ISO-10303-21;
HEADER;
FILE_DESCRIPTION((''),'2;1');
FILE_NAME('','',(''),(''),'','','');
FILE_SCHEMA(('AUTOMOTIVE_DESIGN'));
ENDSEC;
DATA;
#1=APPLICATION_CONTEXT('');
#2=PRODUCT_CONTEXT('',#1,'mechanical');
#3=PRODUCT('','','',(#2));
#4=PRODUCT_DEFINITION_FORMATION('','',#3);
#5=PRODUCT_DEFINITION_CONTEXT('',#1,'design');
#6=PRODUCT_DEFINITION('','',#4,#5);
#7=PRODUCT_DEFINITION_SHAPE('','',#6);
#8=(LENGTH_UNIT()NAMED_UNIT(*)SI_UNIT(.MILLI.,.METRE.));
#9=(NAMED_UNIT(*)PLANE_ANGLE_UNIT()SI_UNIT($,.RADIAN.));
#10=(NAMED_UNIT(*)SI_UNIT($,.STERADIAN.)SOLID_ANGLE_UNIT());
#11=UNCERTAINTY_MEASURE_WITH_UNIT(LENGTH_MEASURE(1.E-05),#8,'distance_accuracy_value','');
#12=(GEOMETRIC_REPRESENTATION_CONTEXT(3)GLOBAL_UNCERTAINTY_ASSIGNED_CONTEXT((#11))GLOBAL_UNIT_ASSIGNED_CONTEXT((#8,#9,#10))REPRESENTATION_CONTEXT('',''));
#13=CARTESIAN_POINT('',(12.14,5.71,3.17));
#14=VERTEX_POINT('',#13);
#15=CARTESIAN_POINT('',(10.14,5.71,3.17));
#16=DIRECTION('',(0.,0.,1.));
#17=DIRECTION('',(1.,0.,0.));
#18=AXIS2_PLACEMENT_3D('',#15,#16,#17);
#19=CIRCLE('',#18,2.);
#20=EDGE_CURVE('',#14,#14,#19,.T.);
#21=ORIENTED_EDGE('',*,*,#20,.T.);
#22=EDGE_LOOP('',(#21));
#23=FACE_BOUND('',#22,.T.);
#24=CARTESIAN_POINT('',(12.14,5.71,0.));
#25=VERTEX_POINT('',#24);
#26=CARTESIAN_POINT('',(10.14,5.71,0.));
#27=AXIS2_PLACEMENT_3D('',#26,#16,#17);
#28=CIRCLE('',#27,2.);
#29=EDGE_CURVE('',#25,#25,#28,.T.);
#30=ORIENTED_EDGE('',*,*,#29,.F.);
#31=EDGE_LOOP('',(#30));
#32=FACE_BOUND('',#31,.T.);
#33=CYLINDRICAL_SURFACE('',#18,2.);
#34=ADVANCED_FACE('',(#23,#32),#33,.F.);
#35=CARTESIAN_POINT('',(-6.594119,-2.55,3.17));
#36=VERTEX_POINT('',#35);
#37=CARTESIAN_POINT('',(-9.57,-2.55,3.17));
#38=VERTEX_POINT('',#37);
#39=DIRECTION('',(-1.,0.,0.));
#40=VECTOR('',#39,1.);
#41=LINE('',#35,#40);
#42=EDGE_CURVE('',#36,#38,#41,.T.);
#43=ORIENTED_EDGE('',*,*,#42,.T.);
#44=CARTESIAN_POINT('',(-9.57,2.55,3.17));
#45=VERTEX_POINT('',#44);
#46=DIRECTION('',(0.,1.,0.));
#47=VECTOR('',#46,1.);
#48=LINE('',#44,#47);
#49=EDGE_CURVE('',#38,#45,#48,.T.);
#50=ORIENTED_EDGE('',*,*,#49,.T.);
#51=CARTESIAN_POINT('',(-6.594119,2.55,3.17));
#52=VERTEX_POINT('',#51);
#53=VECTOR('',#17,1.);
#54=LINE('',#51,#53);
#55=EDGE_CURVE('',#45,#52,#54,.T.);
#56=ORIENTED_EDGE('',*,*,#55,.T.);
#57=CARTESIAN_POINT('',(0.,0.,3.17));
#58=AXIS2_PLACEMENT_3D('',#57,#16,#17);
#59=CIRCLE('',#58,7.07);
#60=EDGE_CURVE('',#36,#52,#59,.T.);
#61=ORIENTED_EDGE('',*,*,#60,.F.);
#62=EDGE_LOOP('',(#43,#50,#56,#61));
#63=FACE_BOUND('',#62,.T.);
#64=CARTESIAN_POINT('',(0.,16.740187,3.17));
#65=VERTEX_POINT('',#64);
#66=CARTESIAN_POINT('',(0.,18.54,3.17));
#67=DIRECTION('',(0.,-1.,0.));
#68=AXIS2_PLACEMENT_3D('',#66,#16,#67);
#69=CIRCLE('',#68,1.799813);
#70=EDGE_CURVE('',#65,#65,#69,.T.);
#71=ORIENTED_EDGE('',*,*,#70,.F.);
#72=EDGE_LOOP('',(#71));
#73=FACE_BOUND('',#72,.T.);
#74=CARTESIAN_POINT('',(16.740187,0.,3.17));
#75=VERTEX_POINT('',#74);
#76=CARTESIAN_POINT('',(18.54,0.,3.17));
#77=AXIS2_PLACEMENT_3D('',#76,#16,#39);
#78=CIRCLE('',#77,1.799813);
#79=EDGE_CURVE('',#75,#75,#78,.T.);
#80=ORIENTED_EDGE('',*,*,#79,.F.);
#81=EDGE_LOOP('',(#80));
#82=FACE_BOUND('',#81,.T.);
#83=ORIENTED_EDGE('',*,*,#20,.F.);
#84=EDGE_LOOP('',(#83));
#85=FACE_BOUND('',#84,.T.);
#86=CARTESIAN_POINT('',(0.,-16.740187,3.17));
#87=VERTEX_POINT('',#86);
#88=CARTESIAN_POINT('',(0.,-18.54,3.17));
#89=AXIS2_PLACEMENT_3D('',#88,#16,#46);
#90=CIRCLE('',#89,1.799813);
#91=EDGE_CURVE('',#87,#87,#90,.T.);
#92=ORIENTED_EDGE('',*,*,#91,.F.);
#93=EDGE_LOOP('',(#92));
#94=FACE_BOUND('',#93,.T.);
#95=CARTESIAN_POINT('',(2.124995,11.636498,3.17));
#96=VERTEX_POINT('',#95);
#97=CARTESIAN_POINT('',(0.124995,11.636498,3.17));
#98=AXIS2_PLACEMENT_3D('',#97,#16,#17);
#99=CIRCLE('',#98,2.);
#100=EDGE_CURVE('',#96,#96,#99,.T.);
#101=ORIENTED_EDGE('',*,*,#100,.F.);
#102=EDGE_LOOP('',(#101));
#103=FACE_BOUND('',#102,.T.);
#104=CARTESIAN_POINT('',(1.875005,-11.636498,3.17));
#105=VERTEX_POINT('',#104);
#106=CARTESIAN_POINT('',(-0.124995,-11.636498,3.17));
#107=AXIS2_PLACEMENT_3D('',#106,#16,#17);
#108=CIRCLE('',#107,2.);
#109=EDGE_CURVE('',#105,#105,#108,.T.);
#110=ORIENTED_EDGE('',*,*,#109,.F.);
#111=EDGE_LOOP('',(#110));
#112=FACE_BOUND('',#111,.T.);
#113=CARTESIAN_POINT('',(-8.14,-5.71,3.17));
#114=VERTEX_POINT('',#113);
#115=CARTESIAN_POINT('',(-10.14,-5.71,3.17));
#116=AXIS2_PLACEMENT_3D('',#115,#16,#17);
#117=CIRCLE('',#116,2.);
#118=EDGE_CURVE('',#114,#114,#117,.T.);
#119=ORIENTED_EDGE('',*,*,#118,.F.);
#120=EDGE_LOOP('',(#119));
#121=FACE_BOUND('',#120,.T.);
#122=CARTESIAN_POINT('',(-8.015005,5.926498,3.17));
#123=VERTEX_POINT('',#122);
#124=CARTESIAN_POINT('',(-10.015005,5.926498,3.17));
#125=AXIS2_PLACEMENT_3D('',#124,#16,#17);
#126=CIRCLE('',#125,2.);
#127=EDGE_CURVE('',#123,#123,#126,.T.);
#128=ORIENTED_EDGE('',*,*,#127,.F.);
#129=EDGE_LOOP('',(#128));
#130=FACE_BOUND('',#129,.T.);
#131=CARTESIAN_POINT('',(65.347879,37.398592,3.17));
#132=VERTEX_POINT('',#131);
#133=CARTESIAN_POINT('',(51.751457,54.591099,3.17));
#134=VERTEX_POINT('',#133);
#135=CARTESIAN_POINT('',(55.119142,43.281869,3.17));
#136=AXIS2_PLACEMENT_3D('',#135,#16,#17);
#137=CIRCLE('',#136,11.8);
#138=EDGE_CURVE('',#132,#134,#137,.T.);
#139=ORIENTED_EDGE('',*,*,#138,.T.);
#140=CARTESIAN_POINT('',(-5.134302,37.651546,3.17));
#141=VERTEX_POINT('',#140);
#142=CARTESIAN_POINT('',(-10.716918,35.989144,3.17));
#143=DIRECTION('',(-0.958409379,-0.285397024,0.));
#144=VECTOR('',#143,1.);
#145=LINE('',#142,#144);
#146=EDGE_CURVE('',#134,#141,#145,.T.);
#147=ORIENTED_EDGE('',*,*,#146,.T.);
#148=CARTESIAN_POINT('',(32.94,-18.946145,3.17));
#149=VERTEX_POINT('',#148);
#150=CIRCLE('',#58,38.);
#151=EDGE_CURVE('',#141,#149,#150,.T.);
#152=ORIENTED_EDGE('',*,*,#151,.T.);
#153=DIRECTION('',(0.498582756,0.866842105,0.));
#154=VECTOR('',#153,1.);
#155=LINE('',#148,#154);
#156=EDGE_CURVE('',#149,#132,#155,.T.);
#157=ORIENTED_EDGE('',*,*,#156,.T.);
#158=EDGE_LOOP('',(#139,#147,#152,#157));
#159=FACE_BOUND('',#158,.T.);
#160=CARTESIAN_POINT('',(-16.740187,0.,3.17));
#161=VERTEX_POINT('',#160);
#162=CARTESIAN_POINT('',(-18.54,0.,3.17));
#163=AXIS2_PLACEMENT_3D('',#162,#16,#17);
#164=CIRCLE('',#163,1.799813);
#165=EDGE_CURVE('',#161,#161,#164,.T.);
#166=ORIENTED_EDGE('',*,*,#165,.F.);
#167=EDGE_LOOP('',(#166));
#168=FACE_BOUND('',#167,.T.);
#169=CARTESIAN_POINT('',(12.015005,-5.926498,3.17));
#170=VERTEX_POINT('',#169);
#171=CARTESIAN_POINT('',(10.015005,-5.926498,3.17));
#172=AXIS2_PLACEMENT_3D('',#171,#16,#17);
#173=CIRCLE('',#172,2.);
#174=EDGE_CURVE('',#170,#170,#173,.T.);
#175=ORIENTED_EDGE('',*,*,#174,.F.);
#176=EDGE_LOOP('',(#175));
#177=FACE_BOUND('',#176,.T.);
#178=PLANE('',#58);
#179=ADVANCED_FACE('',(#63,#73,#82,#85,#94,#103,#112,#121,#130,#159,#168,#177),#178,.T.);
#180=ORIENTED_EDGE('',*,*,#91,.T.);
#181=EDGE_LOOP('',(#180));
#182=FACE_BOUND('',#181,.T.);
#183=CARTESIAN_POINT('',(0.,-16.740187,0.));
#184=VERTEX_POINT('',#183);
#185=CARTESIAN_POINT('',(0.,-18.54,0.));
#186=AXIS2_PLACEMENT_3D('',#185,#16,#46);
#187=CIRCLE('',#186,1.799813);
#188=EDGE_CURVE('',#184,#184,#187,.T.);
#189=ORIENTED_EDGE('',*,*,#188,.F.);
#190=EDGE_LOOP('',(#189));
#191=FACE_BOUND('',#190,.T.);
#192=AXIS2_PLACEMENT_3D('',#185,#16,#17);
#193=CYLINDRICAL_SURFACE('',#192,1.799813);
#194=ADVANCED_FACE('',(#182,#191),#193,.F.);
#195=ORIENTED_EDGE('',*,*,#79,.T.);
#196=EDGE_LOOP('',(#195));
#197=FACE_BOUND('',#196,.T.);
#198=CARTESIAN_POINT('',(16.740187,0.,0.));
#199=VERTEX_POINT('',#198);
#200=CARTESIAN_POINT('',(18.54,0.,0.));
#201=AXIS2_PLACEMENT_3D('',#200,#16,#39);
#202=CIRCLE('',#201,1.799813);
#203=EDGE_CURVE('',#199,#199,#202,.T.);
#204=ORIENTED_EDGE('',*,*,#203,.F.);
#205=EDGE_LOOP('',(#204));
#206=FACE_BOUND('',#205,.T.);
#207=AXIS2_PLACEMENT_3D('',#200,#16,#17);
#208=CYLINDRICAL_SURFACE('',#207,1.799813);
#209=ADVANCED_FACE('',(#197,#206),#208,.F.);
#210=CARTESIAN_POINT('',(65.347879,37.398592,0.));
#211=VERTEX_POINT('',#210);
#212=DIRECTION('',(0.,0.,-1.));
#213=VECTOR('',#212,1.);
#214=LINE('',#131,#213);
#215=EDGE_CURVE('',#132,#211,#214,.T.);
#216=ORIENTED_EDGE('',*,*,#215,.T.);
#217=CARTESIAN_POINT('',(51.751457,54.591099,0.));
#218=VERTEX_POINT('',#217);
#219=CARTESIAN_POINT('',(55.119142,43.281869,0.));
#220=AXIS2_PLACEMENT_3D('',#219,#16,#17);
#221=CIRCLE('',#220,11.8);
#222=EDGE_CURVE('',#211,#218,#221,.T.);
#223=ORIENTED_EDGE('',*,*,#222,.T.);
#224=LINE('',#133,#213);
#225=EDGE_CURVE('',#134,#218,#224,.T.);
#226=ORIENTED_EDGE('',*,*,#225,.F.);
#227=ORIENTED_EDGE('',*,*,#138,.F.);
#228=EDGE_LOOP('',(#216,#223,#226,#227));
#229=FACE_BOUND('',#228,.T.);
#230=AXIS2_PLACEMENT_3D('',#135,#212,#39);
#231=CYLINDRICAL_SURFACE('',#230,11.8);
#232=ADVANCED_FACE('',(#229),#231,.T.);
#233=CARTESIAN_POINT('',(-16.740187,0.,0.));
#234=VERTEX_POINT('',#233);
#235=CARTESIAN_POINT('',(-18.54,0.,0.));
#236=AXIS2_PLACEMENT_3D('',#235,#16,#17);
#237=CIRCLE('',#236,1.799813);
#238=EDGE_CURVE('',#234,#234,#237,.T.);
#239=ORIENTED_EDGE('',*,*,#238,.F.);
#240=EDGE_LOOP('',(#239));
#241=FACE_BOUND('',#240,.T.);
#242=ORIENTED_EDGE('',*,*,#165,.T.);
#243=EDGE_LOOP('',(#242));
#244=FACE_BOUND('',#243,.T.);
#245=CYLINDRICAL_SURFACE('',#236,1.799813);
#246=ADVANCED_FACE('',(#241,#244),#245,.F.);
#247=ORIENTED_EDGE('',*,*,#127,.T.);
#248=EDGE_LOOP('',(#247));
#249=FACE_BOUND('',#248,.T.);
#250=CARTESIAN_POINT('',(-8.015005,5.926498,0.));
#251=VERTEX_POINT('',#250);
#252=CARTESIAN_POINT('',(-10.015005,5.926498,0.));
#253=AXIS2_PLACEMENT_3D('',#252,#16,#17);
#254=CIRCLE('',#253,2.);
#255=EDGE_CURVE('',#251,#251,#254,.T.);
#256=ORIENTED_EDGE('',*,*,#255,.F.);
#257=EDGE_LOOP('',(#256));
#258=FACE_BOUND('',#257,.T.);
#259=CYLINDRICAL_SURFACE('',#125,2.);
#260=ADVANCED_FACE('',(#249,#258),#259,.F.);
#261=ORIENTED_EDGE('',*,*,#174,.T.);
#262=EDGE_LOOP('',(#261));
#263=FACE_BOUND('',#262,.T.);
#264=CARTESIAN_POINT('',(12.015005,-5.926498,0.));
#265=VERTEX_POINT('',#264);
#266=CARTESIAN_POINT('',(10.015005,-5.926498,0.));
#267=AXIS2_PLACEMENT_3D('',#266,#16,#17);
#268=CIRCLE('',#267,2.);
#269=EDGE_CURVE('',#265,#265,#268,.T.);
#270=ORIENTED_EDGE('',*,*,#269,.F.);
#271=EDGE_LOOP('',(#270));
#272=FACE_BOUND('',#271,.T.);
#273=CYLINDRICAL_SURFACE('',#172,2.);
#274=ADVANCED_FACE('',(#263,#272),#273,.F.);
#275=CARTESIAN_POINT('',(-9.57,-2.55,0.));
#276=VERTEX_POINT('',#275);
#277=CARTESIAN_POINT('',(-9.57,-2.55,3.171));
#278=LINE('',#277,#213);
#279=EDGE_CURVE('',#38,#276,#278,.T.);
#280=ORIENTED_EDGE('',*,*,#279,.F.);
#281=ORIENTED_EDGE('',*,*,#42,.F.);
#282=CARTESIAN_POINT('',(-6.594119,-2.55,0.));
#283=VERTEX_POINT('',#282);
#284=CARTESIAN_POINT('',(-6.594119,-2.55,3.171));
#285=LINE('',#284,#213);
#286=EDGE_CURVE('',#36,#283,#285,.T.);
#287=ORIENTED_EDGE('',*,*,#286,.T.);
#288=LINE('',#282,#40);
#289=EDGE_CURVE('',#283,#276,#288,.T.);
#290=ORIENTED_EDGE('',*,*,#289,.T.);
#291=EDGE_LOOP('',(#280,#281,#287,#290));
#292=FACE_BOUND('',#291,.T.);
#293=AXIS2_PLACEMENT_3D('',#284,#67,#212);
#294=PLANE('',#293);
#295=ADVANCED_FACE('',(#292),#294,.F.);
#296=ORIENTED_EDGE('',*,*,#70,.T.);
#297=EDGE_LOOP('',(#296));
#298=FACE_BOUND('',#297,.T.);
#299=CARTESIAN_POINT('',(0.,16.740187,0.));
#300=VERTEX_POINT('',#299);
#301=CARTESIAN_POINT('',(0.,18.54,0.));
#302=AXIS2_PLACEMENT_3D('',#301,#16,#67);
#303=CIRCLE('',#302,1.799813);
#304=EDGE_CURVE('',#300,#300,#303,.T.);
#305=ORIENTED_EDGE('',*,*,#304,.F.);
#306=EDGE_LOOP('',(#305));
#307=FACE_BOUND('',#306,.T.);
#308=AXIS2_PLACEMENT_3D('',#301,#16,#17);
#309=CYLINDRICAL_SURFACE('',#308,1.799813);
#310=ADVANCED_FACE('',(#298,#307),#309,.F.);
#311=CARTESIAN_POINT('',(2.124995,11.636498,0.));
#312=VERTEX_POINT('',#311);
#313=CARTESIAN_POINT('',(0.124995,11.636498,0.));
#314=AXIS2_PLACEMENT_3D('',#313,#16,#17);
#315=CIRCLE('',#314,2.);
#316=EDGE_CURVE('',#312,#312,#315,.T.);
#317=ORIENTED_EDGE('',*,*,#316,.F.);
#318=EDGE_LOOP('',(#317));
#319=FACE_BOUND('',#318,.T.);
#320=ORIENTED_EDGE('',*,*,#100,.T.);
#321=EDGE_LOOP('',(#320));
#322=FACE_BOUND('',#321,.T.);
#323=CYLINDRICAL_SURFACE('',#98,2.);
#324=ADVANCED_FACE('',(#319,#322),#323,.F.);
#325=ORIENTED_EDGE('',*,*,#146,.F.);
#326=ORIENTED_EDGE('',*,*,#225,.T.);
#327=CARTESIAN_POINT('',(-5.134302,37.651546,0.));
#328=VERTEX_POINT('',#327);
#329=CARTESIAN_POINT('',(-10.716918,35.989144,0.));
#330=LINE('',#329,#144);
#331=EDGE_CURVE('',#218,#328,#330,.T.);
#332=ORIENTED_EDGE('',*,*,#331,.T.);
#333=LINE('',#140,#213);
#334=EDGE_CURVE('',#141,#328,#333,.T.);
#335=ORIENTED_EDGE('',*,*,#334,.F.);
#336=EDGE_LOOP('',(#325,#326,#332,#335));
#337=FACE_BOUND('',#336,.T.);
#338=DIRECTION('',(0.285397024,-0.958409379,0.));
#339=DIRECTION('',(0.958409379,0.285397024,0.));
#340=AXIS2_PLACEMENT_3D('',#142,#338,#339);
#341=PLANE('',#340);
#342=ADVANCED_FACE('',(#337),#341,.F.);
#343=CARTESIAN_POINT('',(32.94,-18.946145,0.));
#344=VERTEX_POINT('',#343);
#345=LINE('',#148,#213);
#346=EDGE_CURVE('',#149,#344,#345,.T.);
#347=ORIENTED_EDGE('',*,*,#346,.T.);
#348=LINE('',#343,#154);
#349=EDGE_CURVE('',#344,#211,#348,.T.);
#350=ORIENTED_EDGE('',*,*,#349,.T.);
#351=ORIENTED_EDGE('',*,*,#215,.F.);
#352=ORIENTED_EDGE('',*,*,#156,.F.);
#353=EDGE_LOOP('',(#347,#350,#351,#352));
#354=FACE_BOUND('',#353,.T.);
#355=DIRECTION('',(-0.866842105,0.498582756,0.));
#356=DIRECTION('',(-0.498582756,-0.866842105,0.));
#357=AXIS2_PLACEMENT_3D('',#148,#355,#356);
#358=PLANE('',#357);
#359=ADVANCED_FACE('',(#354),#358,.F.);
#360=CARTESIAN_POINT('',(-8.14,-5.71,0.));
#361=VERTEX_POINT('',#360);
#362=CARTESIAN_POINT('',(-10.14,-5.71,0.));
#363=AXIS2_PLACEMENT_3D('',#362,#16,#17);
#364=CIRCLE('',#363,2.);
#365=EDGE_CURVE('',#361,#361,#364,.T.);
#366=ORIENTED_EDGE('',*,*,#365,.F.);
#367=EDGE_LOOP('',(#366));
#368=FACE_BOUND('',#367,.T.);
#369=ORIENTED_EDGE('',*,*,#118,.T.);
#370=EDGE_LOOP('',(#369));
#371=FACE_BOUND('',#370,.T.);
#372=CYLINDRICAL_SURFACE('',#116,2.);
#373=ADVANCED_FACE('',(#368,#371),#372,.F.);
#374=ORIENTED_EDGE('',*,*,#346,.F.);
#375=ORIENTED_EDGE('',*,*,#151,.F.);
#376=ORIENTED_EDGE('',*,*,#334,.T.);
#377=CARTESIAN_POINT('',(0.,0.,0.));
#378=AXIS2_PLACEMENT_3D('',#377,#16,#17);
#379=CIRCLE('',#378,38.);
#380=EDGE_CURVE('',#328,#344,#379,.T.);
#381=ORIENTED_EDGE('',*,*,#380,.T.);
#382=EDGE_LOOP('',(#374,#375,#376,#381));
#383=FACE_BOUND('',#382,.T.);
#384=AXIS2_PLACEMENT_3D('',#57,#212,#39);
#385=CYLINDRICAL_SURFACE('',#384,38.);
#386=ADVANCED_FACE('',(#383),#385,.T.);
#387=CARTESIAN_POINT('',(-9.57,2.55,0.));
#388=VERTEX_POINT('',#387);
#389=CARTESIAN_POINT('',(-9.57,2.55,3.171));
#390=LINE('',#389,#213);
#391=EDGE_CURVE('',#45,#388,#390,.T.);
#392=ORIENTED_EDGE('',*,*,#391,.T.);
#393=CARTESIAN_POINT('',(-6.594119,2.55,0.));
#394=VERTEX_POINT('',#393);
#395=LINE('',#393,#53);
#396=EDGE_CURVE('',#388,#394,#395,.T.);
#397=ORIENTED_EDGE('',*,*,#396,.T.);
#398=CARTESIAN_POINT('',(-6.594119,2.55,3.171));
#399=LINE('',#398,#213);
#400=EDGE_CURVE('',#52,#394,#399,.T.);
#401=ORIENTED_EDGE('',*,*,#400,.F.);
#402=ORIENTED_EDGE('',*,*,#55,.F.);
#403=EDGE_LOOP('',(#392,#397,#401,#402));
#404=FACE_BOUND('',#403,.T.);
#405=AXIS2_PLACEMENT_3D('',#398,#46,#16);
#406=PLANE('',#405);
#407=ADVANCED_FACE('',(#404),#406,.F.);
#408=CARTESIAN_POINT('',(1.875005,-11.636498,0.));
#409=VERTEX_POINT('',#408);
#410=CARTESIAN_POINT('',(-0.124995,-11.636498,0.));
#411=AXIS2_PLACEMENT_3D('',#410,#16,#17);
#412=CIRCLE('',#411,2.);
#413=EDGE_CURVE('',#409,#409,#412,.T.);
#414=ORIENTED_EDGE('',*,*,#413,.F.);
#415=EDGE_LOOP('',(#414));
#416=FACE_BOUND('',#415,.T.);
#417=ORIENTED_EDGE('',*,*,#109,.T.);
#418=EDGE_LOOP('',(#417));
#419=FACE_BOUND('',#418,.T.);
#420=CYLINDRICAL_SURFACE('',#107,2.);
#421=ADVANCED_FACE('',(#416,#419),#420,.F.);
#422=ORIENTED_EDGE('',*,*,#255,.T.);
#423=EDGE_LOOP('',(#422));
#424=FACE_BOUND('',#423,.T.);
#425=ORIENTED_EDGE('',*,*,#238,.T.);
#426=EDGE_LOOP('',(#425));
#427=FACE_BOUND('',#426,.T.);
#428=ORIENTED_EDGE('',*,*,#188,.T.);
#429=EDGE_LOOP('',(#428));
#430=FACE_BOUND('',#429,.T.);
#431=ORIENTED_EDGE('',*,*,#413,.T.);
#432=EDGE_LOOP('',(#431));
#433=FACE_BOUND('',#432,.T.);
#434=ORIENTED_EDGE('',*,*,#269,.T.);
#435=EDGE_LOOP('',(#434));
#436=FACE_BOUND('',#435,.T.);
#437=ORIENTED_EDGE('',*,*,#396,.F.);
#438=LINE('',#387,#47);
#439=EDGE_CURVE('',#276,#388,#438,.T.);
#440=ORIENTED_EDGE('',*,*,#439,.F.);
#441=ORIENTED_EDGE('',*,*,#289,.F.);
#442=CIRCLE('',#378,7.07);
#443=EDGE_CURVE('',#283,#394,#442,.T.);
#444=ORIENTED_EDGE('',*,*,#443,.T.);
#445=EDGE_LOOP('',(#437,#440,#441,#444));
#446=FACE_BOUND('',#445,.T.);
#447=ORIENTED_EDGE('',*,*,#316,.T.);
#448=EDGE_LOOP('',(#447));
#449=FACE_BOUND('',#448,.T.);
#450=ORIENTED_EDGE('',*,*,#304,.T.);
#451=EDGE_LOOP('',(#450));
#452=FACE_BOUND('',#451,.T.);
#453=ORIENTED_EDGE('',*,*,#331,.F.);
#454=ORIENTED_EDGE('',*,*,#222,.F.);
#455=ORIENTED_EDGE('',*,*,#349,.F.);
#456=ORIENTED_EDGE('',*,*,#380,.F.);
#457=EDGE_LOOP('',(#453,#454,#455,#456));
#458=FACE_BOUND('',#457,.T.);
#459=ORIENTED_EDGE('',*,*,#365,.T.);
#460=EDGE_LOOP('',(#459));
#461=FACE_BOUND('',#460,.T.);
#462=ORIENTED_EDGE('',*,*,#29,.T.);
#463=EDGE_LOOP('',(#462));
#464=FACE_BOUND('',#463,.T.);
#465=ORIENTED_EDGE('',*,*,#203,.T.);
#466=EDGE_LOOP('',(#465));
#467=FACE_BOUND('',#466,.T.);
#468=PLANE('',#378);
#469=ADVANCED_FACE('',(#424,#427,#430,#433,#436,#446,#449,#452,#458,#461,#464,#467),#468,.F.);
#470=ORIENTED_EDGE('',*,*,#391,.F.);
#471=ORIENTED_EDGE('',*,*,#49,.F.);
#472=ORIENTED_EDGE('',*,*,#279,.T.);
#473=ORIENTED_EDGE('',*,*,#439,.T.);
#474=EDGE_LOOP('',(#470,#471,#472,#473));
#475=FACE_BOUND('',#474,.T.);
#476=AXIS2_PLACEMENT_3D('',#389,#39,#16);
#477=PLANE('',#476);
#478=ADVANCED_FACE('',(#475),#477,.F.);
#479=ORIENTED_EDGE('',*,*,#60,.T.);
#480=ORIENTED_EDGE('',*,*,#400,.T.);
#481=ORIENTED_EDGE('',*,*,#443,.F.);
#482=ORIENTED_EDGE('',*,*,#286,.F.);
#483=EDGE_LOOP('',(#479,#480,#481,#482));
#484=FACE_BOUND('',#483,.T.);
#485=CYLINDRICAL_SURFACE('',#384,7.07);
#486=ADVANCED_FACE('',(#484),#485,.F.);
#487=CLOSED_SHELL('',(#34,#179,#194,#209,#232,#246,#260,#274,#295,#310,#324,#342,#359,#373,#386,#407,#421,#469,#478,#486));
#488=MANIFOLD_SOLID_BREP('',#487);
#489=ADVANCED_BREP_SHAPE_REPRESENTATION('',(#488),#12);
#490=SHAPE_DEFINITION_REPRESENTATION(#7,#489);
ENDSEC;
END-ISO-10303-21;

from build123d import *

# Parameters (mm, degrees)
SKETCH1_R             = 7.07
BOSS_EXTRUDE2_DEPTH   = 3.17
SKETCH2_R             = 1.799813297
CUT_EXTRUDE1_DEPTH    = 3.17
CIRPATTERN1_COUNT     = 4
F_4_0MM_DOWEL_HOLE1_D = 4
CIRPATTERN2_COUNT     = 6
CUT_EXTRUDE2_REACH    = 88.731


with BuildPart() as part:
    # Sketch1 → Boss-Extrude2 (new body)
    # profile 1 of 2: a face of its own
    with BuildSketch(Plane.XY):
        with BuildLine():
            ThreePointArc((-5.13430178, 37.651546386), (-31.529571408, -21.210519249), (32.94, -18.946144727))
            ThreePointArc((32.94, -18.946144727), (36.71321288, -9.805100713), (38, 0))
            ThreePointArc((38, 0), (24.988962887, 28.62781399), (-5.13430178, 37.651546386))
        make_face()
        Circle(SKETCH1_R, mode=Mode.SUBTRACT)
    # profile 2 of 2: a face of its own
    with BuildSketch(Plane.XY):
        with BuildLine():
            ThreePointArc((38, 0), (36.71321288, -9.805100713), (32.94, -18.946144727))
            Line((32.94, -18.946144727), (65.347879138, 37.398592116))
            ThreePointArc((65.347879138, 37.398592116), (64.374631715, 50.601425699), (51.751457407, 54.591099312))
            Line((51.751457407, 54.591099312), (-5.13430178, 37.651546386))
            ThreePointArc((-5.13430178, 37.651546386), (24.988962887, 28.62781399), (38, 0))
        make_face()
    extrude(amount=BOSS_EXTRUDE2_DEPTH)

    # Sketch2 → Cut-Extrude1 (cut)
    with BuildSketch(Plane.XY.offset(3.17)):
        with Locations((-18.54, 0)):
            Circle(SKETCH2_R)
    cut_extrude1 = extrude(amount=-CUT_EXTRUDE1_DEPTH, mode=Mode.SUBTRACT)

    # CirPattern1: Cut-Extrude1 ×4 about axis
    cirpattern1_axis = Axis((0, 0, 0), (0, 0, 1))
    for i in range(1, CIRPATTERN1_COUNT):
        add(cut_extrude1.rotate(cirpattern1_axis, i * 360 / CIRPATTERN1_COUNT), mode=Mode.SUBTRACT)

    # Ø4.0mm Dowel Hole1 (through all)
    with Locations(Plane.XY.offset(3.17)):
        with Locations((-10.14, -5.71)):
            f_4_0mm_dowel_hole1 = Hole(F_4_0MM_DOWEL_HOLE1_D / 2)

    # CirPattern2: Ø4.0mm Dowel Hole1 ×6 about axis
    cirpattern2_axis = Axis((0, 0, 0), (0, 0, 1))
    for i in range(1, CIRPATTERN2_COUNT):
        add(f_4_0mm_dowel_hole1.rotate(cirpattern2_axis, i * 360 / CIRPATTERN2_COUNT), mode=Mode.SUBTRACT)

    # Sketch5 → Cut-Extrude2 (cut, up to next)
    with BuildSketch(Plane(origin=(0, 0, 0), x_dir=(-1, 0, 0), z_dir=(0, 0, -1)), mode=Mode.PRIVATE) as cut_extrude2_sk1:
        with BuildLine():
            Line((6.594118592, 2.55), (9.57, 2.55))
            Line((9.57, 2.55), (9.57, -2.55))
            Line((9.57, -2.55), (6.594118592, -2.55))
            ThreePointArc((6.594118592, -2.55), (7.07, 0), (6.594118592, 2.55))
        make_face()
    cut_extrude2_tool1 = extrude(cut_extrude2_sk1.sketch, amount=-CUT_EXTRUDE2_REACH, mode=Mode.PRIVATE) & part.part
    add(cut_extrude2_tool1.solids().sort_by_distance((-8.238036, 0, 0))[0], mode=Mode.SUBTRACT)


solid = part.part
